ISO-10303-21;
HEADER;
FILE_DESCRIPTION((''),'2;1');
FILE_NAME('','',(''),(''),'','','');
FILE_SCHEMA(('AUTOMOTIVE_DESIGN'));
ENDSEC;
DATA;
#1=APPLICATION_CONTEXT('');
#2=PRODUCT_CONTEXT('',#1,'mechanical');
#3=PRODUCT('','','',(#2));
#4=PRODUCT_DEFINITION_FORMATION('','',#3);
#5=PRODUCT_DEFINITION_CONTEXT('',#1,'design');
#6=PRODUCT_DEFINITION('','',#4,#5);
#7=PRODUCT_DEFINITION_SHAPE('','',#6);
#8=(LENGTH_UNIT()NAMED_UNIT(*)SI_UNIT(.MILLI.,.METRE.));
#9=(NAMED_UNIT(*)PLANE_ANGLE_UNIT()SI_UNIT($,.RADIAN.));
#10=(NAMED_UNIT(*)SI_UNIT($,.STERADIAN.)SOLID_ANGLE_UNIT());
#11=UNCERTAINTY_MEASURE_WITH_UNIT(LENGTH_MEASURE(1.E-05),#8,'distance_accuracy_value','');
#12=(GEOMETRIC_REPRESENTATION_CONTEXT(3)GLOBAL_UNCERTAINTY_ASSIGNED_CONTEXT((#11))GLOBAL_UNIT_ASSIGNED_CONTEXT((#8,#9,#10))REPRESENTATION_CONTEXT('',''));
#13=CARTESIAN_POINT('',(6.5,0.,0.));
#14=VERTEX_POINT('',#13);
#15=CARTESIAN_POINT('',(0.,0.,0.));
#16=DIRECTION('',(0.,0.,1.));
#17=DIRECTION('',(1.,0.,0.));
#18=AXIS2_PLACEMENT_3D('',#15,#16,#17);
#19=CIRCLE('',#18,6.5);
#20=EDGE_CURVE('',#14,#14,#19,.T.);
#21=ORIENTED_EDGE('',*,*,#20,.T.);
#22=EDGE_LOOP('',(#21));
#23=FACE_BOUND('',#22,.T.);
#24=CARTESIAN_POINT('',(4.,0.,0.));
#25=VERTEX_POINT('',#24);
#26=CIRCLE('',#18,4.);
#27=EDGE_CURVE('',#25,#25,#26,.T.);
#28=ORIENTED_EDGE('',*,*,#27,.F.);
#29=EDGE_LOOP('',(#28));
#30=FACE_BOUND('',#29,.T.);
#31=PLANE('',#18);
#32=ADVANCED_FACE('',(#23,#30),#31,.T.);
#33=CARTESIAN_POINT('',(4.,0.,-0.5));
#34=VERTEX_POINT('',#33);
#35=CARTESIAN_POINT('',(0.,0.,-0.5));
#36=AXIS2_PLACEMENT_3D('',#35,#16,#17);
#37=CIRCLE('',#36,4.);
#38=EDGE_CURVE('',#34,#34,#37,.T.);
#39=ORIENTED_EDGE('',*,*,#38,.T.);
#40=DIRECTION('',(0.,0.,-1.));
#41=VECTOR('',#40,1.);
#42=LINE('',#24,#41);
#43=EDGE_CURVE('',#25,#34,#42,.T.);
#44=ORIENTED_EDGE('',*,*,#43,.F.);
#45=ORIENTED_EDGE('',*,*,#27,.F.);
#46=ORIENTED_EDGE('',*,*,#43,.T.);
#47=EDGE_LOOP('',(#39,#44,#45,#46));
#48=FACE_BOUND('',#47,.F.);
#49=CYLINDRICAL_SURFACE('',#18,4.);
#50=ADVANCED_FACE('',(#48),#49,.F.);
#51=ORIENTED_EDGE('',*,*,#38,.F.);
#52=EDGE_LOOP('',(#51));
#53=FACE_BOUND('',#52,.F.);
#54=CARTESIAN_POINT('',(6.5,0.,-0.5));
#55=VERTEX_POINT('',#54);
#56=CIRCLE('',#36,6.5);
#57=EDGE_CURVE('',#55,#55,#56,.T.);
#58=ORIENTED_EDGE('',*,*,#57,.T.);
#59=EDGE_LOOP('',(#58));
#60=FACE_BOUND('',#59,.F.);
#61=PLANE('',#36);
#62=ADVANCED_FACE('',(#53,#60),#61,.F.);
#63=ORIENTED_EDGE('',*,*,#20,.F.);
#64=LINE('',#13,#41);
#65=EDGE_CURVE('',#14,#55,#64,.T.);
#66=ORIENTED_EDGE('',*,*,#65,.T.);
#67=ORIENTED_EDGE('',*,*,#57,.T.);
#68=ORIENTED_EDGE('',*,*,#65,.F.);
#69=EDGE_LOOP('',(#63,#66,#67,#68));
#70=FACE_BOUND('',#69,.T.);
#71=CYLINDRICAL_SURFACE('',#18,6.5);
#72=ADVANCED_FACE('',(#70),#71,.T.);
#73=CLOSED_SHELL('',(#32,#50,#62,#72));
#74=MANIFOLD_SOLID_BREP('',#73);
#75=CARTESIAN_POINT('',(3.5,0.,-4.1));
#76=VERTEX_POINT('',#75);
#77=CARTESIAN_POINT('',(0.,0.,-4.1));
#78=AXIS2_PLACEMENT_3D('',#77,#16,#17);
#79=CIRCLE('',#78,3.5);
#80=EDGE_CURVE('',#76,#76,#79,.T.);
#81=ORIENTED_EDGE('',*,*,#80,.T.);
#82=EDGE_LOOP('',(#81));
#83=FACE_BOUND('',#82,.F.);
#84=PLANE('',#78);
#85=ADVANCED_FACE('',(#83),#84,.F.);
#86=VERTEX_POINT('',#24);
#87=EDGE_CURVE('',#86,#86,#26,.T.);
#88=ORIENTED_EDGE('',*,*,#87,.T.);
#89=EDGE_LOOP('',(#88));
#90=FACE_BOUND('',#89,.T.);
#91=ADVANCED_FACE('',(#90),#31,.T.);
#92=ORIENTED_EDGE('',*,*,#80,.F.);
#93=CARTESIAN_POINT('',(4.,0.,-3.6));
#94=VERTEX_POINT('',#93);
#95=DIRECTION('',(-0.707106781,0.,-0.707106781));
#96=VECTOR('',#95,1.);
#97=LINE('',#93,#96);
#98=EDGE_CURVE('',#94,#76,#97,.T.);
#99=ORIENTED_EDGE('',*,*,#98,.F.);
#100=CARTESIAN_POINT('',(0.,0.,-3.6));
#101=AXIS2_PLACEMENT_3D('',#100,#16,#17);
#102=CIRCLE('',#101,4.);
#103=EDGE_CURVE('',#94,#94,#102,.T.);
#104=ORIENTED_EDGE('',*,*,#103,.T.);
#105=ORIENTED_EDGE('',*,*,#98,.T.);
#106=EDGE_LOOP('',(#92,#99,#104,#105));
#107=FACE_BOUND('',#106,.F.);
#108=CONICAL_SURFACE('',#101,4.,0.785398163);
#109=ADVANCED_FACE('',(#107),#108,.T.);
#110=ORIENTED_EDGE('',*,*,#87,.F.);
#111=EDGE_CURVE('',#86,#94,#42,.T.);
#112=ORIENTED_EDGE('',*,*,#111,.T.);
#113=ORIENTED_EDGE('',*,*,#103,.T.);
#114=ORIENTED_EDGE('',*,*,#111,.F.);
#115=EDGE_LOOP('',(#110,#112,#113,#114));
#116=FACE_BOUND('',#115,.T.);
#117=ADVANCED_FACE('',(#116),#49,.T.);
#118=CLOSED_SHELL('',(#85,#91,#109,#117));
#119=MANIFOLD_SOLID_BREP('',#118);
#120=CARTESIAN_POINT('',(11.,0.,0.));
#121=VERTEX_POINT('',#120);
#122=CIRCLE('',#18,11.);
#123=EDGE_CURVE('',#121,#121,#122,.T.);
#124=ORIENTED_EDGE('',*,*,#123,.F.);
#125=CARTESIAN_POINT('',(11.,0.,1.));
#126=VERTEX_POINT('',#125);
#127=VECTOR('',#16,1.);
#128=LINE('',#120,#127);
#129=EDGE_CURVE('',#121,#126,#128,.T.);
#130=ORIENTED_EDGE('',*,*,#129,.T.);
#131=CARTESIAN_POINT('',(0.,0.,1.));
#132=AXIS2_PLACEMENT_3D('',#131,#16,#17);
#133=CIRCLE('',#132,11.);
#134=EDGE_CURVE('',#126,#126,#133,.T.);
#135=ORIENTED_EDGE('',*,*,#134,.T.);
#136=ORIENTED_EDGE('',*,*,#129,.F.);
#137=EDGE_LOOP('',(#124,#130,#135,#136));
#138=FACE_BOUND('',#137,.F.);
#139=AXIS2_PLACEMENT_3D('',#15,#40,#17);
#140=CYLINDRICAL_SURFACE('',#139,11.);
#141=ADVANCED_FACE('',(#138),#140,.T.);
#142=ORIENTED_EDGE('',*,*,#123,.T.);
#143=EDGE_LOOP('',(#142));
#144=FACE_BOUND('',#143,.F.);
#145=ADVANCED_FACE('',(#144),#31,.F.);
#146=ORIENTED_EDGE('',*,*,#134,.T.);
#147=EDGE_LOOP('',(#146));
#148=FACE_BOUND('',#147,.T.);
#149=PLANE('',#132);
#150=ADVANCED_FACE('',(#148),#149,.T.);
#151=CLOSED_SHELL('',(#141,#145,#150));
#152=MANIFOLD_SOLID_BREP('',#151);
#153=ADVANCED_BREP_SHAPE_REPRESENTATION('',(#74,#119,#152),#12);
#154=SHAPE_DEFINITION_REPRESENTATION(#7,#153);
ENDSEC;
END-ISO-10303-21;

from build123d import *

# Parameters (mm, degrees)
F0_R     = 4
F1_DEPTH = 4.1
F0_R_2   = 6.5
F2_DEPTH = 0.5
F0_R_3   = 11
F3_DEPTH = 1
F4_SIZE  = 0.5


with BuildPart() as f1:
    # F0 (on Top) → F1 (new body)
    with BuildSketch(Plane.XY):
        Circle(F0_R)
    extrude(amount=-F1_DEPTH)

    # F4
    f4_edges = [f1.edges().sort_by_distance(p)[0] for p in [
        (-4, 0, -4.1),
    ]]
    chamfer(f4_edges, length=F4_SIZE)


with BuildPart() as f2:
    # F0 (on Top) → F2 (new body)
    with BuildSketch(Plane.XY):
        Circle(F0_R_2)
        Circle(F0_R, mode=Mode.SUBTRACT)
    extrude(amount=-F2_DEPTH)


with BuildPart() as f3:
    # F0 (on Top) → F3 (new body)
    with BuildSketch(Plane.XY):
        Circle(F0_R_3)
        Circle(F0_R_2, mode=Mode.SUBTRACT)
        Circle(F0_R_2)
        Circle(F0_R, mode=Mode.SUBTRACT)
        Circle(F0_R)
    extrude(amount=F3_DEPTH)


solid = Compound([f1.part, f2.part, f3.part])
